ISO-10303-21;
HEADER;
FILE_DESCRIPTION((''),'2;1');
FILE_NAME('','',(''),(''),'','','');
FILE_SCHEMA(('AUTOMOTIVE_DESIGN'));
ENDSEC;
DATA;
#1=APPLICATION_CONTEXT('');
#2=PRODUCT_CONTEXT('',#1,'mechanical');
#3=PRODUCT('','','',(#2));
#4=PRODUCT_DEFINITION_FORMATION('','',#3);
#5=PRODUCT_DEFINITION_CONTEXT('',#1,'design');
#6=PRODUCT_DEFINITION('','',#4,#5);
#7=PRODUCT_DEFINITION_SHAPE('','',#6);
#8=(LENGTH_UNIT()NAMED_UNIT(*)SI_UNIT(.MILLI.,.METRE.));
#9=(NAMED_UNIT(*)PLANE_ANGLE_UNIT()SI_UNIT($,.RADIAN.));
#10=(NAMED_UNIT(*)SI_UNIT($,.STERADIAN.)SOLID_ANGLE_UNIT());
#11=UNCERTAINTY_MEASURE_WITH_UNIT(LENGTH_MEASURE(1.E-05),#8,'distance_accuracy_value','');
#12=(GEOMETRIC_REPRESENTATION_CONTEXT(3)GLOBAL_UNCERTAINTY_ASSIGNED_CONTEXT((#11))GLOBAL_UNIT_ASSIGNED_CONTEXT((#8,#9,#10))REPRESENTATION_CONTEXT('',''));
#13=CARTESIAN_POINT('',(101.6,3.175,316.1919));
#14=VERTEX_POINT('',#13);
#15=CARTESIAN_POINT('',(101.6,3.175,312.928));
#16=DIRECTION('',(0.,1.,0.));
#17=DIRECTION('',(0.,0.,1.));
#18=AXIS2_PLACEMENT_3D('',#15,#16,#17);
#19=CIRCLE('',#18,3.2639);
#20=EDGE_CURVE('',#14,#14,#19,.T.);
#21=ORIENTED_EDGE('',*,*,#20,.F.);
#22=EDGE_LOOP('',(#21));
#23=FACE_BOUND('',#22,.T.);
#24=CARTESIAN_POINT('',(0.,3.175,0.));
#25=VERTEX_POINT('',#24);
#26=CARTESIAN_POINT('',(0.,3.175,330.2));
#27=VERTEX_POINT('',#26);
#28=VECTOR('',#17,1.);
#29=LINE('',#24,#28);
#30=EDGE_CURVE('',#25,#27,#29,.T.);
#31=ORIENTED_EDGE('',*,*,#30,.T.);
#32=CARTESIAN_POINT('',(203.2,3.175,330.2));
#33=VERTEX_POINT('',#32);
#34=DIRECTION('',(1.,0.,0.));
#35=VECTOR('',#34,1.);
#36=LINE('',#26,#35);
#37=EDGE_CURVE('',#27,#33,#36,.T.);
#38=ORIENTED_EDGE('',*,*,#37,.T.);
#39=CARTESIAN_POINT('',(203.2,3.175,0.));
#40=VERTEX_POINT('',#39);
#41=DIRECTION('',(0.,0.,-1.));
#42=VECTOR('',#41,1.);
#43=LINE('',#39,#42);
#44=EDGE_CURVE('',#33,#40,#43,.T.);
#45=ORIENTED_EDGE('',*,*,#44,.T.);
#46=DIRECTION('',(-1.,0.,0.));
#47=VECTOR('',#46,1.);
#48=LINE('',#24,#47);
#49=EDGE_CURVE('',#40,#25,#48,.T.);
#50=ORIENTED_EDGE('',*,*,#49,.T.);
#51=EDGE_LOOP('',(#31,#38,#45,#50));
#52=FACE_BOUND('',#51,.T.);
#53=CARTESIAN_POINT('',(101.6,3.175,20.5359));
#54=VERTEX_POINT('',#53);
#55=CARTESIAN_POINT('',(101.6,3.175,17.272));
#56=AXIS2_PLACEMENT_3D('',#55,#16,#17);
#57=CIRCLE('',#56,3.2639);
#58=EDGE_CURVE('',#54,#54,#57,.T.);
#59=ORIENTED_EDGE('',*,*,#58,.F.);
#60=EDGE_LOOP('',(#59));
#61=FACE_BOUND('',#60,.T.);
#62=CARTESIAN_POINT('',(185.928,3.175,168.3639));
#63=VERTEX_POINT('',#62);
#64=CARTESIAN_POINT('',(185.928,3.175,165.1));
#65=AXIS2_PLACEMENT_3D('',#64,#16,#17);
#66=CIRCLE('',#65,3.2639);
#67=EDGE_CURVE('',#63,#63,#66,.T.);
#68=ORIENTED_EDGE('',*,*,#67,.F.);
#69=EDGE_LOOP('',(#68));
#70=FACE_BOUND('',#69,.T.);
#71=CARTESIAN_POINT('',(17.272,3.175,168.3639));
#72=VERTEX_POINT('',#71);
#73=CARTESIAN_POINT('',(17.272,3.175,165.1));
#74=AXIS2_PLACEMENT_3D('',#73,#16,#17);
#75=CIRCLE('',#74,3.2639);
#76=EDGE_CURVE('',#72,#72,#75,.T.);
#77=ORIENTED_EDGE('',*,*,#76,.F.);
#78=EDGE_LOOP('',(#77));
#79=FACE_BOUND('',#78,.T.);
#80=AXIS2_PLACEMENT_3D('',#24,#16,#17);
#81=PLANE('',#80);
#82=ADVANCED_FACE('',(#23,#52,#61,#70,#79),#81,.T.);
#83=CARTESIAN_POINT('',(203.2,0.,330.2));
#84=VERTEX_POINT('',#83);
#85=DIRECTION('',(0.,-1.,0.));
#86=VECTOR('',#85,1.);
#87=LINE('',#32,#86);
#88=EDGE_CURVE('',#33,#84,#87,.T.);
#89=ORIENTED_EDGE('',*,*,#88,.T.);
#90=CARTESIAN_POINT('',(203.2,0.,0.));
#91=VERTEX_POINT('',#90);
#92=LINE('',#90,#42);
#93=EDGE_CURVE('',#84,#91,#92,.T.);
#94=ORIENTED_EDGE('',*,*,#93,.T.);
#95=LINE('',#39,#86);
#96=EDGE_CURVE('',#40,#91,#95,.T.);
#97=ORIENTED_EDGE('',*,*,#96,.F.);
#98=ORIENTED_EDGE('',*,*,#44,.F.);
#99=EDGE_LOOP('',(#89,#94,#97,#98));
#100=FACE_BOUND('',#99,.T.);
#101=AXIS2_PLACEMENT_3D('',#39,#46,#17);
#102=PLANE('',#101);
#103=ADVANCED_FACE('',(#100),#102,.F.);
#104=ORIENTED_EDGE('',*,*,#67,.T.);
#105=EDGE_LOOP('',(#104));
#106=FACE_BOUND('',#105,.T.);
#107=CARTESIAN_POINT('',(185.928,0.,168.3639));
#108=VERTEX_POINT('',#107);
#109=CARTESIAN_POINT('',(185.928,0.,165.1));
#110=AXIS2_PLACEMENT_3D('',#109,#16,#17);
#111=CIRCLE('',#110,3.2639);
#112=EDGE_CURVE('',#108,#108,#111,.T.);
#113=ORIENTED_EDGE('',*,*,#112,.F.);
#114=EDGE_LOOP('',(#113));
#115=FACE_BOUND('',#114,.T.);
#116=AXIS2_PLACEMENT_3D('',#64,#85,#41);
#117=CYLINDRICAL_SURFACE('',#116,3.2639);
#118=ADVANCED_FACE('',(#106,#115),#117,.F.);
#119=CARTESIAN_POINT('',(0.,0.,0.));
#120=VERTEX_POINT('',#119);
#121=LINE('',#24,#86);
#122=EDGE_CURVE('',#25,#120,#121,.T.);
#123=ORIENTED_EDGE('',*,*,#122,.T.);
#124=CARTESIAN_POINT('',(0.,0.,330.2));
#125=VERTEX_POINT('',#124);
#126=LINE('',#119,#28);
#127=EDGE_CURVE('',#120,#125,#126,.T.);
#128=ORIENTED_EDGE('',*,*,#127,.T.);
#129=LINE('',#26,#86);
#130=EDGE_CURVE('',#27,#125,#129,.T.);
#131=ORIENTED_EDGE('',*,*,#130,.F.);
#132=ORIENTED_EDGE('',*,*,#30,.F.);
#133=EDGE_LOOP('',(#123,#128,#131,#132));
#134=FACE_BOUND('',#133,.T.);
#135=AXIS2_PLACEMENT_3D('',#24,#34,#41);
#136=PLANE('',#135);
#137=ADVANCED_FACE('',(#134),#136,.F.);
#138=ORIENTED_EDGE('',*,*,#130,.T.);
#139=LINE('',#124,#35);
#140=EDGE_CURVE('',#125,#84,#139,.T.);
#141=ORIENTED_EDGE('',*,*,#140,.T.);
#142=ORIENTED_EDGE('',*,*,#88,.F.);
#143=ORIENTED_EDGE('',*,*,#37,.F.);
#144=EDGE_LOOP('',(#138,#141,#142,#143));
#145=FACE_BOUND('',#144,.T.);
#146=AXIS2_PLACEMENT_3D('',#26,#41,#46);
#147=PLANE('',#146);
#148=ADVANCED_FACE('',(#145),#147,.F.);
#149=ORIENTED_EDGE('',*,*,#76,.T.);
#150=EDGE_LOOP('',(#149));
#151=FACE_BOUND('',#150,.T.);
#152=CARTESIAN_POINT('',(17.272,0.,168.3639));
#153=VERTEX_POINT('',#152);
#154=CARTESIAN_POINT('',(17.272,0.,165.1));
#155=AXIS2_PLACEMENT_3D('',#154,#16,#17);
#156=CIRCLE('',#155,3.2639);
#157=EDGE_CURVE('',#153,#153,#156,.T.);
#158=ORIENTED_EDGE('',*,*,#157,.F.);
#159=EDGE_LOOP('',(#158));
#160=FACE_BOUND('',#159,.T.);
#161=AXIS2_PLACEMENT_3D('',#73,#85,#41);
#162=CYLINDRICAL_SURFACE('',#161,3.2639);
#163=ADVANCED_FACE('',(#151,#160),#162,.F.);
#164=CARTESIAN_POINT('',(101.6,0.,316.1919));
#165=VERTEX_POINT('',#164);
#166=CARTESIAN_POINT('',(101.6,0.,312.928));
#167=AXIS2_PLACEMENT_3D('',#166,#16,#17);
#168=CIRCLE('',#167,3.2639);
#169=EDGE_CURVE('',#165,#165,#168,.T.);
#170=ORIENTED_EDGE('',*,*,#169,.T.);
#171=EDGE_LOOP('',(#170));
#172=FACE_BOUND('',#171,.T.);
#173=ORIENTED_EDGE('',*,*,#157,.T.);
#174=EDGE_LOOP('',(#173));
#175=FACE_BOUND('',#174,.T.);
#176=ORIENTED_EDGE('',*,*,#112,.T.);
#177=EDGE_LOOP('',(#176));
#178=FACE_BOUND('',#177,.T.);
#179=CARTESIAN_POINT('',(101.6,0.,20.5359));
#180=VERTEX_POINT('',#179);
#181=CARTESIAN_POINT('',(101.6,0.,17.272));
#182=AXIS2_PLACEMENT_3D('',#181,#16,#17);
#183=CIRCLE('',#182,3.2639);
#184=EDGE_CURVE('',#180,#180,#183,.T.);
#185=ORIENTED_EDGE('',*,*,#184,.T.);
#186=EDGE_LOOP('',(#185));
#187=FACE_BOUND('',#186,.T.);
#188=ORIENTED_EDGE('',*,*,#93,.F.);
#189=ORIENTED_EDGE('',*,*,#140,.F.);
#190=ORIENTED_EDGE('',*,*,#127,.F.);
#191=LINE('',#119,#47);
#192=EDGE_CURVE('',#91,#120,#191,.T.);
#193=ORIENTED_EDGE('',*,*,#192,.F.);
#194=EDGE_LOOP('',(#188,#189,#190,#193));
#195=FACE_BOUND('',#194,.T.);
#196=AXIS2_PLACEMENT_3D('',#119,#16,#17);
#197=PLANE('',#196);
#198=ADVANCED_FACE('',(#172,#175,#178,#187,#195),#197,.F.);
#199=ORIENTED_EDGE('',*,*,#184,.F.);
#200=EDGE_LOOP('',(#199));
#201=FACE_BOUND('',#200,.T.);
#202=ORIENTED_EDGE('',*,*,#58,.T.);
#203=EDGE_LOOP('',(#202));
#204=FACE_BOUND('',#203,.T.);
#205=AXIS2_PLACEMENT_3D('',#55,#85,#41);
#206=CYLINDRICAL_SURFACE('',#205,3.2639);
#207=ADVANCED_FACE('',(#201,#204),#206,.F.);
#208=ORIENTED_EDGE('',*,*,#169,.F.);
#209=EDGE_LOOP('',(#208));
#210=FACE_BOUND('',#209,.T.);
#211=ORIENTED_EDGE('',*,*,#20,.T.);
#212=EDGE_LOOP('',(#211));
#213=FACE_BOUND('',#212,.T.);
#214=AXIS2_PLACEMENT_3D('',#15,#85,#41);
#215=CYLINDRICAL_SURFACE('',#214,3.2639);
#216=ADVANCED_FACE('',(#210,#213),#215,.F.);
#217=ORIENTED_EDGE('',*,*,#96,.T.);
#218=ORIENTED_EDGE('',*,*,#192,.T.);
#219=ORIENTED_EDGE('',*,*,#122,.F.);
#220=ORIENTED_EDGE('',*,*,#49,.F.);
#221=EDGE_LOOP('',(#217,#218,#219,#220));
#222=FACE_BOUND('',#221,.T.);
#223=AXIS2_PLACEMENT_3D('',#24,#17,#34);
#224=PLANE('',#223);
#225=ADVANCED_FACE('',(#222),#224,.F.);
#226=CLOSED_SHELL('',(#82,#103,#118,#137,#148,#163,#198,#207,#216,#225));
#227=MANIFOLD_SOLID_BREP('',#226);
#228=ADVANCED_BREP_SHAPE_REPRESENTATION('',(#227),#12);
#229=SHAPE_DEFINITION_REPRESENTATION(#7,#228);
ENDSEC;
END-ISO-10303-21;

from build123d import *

# Parameters (mm, degrees)
SKETCH1_W           = 203.2
SKETCH1_H           = 330.2
SKETCH1_R           = 3.2639
BOSS_EXTRUDE3_DEPTH = 3.175


with BuildPart() as part:
    # Sketch1 → Boss-Extrude3 (new body)
    with BuildSketch(Plane(origin=(0, 0, 0), x_dir=(1, 0, 0), z_dir=(0, 1, 0))):
        with Locations((101.6, -165.1)):
            Rectangle(SKETCH1_W, SKETCH1_H)
        with Locations((17.272, -165.1)):
            Circle(SKETCH1_R, mode=Mode.SUBTRACT)
        with Locations((101.6, -17.272)):
            Circle(SKETCH1_R, mode=Mode.SUBTRACT)
        with Locations((101.6, -312.928)):
            Circle(SKETCH1_R, mode=Mode.SUBTRACT)
        with Locations((185.928, -165.1)):
            Circle(SKETCH1_R, mode=Mode.SUBTRACT)
    extrude(amount=BOSS_EXTRUDE3_DEPTH)


solid = part.part
